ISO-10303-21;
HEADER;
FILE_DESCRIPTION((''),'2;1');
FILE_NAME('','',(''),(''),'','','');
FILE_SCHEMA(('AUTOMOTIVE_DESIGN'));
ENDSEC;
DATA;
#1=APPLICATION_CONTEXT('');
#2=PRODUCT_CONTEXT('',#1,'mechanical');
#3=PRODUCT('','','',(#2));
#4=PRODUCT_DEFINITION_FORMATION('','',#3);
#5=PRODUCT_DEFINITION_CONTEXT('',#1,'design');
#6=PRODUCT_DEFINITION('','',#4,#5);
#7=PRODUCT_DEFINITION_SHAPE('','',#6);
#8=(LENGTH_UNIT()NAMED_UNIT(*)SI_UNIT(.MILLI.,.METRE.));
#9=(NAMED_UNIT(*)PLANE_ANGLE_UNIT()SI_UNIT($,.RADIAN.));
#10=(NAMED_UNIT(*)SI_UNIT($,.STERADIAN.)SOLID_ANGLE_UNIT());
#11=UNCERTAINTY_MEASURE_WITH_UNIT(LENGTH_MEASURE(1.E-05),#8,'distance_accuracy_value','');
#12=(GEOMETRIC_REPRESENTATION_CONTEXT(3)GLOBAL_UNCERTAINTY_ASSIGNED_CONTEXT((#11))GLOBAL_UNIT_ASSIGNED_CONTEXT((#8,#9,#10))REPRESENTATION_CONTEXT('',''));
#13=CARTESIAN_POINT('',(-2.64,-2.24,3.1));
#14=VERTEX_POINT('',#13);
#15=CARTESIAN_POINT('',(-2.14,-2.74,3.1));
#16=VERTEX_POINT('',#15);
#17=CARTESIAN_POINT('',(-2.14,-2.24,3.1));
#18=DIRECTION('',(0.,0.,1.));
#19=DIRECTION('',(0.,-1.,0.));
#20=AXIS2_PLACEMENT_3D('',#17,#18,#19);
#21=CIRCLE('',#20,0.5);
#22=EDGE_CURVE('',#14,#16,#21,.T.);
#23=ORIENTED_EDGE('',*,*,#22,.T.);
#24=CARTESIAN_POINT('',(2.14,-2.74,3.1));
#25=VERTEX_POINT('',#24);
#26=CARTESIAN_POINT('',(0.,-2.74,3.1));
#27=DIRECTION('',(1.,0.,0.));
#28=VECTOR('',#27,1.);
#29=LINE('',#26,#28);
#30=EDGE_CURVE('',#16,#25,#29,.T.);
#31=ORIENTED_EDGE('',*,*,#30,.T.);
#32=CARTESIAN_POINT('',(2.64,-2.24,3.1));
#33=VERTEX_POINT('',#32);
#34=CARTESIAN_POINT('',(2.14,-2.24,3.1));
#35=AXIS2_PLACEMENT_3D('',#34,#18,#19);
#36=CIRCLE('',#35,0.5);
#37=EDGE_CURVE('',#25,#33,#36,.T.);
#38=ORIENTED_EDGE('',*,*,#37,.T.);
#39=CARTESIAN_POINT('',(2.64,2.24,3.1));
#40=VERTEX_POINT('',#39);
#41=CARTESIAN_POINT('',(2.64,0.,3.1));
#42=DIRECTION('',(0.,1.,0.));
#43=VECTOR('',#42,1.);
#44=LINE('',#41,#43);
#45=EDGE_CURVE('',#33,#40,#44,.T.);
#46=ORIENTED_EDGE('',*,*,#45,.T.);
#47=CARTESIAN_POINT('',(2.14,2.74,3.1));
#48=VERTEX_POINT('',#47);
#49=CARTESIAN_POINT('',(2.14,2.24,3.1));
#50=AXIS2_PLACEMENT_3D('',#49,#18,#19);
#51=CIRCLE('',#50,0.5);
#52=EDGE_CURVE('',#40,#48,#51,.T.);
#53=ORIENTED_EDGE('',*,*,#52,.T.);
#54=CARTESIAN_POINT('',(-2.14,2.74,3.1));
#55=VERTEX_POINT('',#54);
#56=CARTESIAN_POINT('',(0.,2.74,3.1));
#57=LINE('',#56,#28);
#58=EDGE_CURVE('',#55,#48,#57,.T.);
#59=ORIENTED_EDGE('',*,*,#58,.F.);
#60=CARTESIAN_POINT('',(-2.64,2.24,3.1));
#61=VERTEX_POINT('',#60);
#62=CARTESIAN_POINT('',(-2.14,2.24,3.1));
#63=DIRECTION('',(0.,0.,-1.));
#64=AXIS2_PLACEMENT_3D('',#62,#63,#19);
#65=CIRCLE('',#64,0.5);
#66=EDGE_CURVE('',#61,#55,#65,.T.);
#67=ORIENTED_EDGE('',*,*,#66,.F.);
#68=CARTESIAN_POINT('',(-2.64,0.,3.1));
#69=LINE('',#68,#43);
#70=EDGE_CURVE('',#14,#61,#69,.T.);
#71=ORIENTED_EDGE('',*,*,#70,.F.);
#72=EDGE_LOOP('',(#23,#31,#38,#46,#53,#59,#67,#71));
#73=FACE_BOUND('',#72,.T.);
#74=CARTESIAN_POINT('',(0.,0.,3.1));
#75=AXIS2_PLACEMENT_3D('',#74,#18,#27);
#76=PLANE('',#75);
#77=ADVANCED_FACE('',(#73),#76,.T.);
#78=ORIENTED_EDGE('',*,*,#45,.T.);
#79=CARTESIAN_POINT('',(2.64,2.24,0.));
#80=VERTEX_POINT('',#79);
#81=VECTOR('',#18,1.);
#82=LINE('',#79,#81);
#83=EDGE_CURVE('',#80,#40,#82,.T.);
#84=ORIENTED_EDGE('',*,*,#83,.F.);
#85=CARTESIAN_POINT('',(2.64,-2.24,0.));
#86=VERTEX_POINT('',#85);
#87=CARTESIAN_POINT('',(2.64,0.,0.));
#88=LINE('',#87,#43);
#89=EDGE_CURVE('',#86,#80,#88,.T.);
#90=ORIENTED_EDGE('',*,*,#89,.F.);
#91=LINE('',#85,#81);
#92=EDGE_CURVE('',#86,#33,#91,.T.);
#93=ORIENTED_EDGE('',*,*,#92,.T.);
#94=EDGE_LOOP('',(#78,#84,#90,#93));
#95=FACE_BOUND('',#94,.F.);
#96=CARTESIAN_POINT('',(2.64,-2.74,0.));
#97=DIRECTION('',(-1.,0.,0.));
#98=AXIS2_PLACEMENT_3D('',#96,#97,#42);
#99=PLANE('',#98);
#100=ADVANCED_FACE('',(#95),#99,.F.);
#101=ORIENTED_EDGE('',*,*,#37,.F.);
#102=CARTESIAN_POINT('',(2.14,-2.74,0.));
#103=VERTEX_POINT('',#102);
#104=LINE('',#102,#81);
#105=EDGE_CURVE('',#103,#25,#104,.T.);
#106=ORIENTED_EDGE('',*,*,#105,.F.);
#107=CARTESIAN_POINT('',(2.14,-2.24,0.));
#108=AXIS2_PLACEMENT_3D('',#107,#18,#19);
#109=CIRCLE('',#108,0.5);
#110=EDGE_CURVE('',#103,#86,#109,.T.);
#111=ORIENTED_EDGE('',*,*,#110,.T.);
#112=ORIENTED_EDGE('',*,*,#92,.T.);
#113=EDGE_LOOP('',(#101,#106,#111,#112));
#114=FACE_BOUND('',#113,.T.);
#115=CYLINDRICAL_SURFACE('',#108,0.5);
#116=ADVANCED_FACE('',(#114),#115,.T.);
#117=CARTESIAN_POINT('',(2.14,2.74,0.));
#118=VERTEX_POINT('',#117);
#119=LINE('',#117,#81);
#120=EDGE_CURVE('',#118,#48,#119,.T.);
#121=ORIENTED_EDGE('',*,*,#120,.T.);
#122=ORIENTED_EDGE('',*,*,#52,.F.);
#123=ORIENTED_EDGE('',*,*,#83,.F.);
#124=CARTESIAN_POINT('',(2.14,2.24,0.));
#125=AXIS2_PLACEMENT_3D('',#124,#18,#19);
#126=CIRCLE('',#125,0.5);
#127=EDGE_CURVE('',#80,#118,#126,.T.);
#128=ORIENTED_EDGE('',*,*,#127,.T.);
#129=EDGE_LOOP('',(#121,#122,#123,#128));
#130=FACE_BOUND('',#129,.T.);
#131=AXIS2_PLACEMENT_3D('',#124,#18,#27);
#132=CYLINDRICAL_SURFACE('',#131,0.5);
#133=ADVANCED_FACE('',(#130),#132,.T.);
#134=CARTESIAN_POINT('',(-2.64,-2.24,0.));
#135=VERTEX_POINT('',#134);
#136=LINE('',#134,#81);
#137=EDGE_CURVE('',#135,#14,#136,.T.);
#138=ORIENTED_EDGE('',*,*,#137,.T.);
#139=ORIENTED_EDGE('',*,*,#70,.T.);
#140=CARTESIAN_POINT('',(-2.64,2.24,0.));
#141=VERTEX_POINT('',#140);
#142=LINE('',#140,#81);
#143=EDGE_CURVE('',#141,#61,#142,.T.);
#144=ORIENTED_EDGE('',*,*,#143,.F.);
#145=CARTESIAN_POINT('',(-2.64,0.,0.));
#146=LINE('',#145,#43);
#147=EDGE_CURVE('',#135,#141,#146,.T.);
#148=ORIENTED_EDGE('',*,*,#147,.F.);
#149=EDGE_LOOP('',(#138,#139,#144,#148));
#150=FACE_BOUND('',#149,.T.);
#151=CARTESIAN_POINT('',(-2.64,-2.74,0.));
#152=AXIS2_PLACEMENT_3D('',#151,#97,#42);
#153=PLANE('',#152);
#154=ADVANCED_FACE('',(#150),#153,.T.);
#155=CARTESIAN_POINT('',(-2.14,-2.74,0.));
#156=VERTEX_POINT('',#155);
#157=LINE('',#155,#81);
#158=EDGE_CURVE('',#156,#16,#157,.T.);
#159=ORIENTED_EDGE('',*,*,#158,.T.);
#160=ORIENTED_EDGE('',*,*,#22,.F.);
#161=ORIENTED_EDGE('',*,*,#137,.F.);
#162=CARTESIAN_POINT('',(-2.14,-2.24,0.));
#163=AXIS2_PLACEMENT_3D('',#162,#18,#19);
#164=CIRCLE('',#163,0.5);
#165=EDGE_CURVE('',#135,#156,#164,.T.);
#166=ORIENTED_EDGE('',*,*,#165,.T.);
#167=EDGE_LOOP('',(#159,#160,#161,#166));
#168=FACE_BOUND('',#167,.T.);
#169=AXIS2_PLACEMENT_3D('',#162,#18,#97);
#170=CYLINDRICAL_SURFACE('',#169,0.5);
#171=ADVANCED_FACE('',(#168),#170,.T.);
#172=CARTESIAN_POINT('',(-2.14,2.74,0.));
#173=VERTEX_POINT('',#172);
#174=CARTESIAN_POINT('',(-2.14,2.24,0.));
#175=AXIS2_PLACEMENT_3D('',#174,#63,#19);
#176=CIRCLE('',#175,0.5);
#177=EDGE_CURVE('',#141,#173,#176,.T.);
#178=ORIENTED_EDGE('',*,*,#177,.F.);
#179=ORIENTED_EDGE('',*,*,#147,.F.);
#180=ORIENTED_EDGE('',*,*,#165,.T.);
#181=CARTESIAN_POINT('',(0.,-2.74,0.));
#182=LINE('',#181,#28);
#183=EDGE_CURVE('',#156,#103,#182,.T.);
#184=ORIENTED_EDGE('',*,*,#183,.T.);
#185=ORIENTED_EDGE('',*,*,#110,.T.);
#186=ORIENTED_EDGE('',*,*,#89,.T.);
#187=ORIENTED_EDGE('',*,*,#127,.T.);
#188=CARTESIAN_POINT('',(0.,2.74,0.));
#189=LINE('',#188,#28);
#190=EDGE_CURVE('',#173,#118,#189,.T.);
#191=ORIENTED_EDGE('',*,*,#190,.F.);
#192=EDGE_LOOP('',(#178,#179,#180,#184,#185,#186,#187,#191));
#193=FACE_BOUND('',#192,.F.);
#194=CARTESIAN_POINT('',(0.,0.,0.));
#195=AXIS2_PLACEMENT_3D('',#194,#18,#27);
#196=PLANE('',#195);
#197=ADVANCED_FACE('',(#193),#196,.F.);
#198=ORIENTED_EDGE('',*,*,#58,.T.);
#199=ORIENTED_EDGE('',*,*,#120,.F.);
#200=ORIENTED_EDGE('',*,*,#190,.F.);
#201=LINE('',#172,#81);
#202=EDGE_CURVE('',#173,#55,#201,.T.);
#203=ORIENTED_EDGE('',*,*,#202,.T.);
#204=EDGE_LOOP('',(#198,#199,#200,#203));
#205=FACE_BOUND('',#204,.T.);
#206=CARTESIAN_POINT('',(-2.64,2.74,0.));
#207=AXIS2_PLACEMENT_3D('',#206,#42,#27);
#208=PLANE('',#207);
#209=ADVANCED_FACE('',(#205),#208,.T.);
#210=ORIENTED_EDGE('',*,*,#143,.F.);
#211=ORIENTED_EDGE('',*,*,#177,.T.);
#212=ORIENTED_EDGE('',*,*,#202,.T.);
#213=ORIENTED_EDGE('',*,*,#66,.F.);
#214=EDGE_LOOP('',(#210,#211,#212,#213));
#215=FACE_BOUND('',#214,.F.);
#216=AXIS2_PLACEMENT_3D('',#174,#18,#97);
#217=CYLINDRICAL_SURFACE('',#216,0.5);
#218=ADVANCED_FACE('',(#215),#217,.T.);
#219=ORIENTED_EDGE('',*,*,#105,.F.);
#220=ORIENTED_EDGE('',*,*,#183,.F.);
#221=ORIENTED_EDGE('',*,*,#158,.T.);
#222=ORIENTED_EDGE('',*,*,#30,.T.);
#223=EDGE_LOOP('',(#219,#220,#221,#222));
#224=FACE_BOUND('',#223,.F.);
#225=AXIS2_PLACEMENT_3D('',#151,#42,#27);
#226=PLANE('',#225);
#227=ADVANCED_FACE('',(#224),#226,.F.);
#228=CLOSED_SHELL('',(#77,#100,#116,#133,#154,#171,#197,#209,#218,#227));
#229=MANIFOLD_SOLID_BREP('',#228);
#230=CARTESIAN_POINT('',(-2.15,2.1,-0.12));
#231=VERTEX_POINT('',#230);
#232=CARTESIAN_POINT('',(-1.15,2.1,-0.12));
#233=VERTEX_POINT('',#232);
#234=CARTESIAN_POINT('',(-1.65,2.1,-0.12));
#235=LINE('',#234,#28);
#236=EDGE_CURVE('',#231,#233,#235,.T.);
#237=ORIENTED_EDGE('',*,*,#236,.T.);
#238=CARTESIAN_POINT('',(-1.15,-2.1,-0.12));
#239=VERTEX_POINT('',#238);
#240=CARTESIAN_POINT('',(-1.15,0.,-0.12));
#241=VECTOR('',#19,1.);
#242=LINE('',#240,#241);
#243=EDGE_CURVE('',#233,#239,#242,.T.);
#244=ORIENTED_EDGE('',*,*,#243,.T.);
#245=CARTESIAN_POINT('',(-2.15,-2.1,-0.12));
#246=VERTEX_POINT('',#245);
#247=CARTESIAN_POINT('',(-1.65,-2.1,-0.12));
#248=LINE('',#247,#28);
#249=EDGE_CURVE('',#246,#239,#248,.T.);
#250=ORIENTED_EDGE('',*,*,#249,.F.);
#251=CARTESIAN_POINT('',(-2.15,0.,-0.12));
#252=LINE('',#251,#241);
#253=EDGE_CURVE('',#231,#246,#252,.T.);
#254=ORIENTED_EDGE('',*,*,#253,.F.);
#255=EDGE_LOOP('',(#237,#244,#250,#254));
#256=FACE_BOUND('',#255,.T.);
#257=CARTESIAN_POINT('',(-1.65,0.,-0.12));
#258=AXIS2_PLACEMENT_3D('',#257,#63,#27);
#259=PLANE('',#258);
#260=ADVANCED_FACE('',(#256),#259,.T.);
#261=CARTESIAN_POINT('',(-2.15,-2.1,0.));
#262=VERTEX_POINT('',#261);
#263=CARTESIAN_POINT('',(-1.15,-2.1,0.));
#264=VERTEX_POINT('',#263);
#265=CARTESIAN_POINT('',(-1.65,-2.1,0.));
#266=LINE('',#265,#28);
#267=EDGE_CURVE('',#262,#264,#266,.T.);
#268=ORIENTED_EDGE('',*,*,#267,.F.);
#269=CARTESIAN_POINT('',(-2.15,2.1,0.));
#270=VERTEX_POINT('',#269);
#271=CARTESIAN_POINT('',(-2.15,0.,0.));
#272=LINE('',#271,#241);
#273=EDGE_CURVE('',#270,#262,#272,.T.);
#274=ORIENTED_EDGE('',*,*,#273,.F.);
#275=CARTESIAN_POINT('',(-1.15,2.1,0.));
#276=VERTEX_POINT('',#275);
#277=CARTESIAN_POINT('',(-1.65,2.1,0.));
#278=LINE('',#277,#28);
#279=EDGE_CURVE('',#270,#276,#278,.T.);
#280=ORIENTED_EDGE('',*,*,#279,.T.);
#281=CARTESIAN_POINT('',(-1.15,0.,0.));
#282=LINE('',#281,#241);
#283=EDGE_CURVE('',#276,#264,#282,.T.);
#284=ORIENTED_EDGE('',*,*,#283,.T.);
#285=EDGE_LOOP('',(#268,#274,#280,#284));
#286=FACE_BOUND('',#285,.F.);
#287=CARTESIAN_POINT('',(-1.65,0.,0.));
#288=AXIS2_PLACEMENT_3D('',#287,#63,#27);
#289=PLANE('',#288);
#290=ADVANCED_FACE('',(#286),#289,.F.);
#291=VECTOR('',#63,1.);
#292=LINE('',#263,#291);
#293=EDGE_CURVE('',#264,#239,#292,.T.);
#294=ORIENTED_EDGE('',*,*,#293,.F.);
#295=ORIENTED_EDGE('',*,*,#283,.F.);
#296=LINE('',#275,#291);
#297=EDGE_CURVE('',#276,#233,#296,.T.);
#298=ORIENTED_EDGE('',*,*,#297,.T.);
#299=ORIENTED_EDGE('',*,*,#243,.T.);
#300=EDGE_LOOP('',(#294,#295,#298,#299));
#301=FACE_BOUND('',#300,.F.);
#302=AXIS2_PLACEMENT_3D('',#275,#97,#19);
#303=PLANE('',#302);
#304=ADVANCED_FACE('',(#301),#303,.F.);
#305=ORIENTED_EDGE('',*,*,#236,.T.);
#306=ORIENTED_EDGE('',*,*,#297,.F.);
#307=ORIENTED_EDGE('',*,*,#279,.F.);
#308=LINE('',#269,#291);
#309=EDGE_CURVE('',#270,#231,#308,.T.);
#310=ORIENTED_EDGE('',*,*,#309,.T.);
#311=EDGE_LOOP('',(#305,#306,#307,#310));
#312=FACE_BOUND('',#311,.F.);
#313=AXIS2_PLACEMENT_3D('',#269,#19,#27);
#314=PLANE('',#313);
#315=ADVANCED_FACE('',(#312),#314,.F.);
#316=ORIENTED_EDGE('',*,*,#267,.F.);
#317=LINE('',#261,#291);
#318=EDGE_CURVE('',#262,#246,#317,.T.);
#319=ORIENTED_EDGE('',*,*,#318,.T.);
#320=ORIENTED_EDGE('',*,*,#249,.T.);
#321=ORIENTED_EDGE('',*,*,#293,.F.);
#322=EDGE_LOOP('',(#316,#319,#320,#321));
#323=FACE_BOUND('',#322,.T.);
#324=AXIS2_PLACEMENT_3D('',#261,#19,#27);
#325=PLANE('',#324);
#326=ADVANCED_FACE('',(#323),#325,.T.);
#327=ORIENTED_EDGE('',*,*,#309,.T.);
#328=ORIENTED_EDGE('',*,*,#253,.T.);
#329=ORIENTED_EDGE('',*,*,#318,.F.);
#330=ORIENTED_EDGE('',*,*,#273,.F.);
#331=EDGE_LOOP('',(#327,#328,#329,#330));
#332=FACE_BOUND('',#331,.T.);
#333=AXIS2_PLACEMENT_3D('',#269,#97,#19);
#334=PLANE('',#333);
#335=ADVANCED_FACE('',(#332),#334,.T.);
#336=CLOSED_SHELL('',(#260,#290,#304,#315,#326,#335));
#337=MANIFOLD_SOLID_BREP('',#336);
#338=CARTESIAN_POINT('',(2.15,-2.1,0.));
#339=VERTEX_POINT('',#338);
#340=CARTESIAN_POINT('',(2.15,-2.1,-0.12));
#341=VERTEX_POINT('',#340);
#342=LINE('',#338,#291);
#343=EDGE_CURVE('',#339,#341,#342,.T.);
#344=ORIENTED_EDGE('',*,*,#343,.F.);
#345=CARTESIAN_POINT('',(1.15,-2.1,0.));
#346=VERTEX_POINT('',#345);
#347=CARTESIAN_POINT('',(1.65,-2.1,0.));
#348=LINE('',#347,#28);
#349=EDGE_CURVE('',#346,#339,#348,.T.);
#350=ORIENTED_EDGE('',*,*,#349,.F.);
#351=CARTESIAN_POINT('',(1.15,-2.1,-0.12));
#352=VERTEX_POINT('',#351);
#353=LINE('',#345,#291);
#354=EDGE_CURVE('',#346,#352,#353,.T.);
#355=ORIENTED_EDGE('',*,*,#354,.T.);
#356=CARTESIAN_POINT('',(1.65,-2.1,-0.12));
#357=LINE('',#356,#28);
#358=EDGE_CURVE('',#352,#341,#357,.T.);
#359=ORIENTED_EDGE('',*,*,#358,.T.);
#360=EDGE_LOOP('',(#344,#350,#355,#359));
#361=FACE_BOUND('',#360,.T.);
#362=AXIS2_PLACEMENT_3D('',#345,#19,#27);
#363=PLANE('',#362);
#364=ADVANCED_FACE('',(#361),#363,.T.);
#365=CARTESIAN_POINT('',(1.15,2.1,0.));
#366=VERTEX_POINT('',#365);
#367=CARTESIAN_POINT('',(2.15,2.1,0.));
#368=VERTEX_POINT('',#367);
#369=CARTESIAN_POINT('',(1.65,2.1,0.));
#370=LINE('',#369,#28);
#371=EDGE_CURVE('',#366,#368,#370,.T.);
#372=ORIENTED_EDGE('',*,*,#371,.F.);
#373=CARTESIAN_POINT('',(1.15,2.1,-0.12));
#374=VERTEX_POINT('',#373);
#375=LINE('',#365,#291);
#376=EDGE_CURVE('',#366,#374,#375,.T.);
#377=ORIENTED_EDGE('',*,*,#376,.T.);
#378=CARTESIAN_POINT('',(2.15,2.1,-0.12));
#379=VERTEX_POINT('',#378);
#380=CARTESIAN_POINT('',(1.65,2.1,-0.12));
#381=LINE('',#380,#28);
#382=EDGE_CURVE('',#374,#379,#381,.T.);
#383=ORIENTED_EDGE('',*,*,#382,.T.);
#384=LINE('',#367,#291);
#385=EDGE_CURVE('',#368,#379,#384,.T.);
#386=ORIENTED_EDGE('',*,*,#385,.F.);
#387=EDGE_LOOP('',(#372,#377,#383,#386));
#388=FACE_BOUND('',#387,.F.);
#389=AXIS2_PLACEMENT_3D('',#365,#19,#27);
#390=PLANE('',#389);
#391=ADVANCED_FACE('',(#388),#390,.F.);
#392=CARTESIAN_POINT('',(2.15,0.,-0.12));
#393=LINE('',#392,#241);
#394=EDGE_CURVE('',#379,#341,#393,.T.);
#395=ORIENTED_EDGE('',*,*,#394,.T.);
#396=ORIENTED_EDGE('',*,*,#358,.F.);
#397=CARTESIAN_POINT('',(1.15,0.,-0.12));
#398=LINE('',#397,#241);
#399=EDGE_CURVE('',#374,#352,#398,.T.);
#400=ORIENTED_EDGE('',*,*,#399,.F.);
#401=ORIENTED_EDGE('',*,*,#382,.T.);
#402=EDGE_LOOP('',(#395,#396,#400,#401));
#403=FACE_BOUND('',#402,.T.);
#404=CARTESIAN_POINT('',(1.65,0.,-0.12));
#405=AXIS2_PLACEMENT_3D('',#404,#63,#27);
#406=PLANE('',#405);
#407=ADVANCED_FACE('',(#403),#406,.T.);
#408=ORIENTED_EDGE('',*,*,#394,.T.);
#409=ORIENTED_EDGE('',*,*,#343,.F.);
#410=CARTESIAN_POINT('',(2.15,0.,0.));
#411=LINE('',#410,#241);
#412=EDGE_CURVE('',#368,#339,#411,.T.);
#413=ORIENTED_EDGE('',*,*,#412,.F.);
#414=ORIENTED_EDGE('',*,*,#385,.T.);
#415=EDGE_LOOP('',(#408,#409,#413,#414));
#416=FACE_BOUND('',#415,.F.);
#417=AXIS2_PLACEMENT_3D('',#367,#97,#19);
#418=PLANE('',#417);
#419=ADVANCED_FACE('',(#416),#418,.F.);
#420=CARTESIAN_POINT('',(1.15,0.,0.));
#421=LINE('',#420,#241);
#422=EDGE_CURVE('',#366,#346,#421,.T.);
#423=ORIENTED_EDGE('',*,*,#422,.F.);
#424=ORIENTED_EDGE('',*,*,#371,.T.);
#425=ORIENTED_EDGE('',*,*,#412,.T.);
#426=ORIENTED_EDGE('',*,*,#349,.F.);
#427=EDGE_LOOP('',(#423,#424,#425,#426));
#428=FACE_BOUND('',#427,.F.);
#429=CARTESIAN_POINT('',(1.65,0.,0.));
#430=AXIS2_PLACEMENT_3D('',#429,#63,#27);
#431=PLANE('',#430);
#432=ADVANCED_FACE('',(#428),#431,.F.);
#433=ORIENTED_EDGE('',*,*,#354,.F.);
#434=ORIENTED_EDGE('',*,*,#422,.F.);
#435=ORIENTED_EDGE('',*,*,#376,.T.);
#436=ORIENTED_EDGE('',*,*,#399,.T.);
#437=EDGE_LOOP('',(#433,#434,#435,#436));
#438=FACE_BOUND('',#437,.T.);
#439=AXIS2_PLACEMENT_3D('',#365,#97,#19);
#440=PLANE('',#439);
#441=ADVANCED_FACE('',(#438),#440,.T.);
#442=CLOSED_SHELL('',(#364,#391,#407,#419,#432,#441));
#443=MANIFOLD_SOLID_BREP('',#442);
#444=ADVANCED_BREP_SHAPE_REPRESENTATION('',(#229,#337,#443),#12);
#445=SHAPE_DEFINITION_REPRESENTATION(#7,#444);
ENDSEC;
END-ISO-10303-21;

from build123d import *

# Parameters (mm, degrees)
F0_W     = 5.28
F0_H     = 5.48
F1_DEPTH = 3.1
F2_R     = 0.5
F3_W     = 1
F3_H     = 4.2
F4_DEPTH = 0.12


with BuildPart() as f1:
    # F0 (on Top) → F1 (new body)
    with BuildSketch(Plane.XY):
        Rectangle(F0_W, F0_H)
    extrude(amount=F1_DEPTH)

    # F2
    f2_edges = [f1.edges().sort_by_distance(p)[0] for p in [
        (-2.64, -2.74, 1.55),
        (2.64, -2.74, 1.55),
        (2.64, 2.74, 1.55),
        (-2.64, 2.74, 1.55),
    ]]
    fillet(f2_edges, radius=F2_R)


with BuildPart() as f4:
    # F3 (on face) → F4 (new body)
    with BuildSketch(Plane(origin=(0, 0, 0), x_dir=(1, 0, 0), z_dir=(0, 0, -1))):
        with Locations((1.65, 0)):
            Rectangle(F3_W, F3_H)
        with Locations((-1.65, 0)):
            Rectangle(F3_W, F3_H)
    extrude(amount=F4_DEPTH)


solid = Compound([f1.part, f4.part])
